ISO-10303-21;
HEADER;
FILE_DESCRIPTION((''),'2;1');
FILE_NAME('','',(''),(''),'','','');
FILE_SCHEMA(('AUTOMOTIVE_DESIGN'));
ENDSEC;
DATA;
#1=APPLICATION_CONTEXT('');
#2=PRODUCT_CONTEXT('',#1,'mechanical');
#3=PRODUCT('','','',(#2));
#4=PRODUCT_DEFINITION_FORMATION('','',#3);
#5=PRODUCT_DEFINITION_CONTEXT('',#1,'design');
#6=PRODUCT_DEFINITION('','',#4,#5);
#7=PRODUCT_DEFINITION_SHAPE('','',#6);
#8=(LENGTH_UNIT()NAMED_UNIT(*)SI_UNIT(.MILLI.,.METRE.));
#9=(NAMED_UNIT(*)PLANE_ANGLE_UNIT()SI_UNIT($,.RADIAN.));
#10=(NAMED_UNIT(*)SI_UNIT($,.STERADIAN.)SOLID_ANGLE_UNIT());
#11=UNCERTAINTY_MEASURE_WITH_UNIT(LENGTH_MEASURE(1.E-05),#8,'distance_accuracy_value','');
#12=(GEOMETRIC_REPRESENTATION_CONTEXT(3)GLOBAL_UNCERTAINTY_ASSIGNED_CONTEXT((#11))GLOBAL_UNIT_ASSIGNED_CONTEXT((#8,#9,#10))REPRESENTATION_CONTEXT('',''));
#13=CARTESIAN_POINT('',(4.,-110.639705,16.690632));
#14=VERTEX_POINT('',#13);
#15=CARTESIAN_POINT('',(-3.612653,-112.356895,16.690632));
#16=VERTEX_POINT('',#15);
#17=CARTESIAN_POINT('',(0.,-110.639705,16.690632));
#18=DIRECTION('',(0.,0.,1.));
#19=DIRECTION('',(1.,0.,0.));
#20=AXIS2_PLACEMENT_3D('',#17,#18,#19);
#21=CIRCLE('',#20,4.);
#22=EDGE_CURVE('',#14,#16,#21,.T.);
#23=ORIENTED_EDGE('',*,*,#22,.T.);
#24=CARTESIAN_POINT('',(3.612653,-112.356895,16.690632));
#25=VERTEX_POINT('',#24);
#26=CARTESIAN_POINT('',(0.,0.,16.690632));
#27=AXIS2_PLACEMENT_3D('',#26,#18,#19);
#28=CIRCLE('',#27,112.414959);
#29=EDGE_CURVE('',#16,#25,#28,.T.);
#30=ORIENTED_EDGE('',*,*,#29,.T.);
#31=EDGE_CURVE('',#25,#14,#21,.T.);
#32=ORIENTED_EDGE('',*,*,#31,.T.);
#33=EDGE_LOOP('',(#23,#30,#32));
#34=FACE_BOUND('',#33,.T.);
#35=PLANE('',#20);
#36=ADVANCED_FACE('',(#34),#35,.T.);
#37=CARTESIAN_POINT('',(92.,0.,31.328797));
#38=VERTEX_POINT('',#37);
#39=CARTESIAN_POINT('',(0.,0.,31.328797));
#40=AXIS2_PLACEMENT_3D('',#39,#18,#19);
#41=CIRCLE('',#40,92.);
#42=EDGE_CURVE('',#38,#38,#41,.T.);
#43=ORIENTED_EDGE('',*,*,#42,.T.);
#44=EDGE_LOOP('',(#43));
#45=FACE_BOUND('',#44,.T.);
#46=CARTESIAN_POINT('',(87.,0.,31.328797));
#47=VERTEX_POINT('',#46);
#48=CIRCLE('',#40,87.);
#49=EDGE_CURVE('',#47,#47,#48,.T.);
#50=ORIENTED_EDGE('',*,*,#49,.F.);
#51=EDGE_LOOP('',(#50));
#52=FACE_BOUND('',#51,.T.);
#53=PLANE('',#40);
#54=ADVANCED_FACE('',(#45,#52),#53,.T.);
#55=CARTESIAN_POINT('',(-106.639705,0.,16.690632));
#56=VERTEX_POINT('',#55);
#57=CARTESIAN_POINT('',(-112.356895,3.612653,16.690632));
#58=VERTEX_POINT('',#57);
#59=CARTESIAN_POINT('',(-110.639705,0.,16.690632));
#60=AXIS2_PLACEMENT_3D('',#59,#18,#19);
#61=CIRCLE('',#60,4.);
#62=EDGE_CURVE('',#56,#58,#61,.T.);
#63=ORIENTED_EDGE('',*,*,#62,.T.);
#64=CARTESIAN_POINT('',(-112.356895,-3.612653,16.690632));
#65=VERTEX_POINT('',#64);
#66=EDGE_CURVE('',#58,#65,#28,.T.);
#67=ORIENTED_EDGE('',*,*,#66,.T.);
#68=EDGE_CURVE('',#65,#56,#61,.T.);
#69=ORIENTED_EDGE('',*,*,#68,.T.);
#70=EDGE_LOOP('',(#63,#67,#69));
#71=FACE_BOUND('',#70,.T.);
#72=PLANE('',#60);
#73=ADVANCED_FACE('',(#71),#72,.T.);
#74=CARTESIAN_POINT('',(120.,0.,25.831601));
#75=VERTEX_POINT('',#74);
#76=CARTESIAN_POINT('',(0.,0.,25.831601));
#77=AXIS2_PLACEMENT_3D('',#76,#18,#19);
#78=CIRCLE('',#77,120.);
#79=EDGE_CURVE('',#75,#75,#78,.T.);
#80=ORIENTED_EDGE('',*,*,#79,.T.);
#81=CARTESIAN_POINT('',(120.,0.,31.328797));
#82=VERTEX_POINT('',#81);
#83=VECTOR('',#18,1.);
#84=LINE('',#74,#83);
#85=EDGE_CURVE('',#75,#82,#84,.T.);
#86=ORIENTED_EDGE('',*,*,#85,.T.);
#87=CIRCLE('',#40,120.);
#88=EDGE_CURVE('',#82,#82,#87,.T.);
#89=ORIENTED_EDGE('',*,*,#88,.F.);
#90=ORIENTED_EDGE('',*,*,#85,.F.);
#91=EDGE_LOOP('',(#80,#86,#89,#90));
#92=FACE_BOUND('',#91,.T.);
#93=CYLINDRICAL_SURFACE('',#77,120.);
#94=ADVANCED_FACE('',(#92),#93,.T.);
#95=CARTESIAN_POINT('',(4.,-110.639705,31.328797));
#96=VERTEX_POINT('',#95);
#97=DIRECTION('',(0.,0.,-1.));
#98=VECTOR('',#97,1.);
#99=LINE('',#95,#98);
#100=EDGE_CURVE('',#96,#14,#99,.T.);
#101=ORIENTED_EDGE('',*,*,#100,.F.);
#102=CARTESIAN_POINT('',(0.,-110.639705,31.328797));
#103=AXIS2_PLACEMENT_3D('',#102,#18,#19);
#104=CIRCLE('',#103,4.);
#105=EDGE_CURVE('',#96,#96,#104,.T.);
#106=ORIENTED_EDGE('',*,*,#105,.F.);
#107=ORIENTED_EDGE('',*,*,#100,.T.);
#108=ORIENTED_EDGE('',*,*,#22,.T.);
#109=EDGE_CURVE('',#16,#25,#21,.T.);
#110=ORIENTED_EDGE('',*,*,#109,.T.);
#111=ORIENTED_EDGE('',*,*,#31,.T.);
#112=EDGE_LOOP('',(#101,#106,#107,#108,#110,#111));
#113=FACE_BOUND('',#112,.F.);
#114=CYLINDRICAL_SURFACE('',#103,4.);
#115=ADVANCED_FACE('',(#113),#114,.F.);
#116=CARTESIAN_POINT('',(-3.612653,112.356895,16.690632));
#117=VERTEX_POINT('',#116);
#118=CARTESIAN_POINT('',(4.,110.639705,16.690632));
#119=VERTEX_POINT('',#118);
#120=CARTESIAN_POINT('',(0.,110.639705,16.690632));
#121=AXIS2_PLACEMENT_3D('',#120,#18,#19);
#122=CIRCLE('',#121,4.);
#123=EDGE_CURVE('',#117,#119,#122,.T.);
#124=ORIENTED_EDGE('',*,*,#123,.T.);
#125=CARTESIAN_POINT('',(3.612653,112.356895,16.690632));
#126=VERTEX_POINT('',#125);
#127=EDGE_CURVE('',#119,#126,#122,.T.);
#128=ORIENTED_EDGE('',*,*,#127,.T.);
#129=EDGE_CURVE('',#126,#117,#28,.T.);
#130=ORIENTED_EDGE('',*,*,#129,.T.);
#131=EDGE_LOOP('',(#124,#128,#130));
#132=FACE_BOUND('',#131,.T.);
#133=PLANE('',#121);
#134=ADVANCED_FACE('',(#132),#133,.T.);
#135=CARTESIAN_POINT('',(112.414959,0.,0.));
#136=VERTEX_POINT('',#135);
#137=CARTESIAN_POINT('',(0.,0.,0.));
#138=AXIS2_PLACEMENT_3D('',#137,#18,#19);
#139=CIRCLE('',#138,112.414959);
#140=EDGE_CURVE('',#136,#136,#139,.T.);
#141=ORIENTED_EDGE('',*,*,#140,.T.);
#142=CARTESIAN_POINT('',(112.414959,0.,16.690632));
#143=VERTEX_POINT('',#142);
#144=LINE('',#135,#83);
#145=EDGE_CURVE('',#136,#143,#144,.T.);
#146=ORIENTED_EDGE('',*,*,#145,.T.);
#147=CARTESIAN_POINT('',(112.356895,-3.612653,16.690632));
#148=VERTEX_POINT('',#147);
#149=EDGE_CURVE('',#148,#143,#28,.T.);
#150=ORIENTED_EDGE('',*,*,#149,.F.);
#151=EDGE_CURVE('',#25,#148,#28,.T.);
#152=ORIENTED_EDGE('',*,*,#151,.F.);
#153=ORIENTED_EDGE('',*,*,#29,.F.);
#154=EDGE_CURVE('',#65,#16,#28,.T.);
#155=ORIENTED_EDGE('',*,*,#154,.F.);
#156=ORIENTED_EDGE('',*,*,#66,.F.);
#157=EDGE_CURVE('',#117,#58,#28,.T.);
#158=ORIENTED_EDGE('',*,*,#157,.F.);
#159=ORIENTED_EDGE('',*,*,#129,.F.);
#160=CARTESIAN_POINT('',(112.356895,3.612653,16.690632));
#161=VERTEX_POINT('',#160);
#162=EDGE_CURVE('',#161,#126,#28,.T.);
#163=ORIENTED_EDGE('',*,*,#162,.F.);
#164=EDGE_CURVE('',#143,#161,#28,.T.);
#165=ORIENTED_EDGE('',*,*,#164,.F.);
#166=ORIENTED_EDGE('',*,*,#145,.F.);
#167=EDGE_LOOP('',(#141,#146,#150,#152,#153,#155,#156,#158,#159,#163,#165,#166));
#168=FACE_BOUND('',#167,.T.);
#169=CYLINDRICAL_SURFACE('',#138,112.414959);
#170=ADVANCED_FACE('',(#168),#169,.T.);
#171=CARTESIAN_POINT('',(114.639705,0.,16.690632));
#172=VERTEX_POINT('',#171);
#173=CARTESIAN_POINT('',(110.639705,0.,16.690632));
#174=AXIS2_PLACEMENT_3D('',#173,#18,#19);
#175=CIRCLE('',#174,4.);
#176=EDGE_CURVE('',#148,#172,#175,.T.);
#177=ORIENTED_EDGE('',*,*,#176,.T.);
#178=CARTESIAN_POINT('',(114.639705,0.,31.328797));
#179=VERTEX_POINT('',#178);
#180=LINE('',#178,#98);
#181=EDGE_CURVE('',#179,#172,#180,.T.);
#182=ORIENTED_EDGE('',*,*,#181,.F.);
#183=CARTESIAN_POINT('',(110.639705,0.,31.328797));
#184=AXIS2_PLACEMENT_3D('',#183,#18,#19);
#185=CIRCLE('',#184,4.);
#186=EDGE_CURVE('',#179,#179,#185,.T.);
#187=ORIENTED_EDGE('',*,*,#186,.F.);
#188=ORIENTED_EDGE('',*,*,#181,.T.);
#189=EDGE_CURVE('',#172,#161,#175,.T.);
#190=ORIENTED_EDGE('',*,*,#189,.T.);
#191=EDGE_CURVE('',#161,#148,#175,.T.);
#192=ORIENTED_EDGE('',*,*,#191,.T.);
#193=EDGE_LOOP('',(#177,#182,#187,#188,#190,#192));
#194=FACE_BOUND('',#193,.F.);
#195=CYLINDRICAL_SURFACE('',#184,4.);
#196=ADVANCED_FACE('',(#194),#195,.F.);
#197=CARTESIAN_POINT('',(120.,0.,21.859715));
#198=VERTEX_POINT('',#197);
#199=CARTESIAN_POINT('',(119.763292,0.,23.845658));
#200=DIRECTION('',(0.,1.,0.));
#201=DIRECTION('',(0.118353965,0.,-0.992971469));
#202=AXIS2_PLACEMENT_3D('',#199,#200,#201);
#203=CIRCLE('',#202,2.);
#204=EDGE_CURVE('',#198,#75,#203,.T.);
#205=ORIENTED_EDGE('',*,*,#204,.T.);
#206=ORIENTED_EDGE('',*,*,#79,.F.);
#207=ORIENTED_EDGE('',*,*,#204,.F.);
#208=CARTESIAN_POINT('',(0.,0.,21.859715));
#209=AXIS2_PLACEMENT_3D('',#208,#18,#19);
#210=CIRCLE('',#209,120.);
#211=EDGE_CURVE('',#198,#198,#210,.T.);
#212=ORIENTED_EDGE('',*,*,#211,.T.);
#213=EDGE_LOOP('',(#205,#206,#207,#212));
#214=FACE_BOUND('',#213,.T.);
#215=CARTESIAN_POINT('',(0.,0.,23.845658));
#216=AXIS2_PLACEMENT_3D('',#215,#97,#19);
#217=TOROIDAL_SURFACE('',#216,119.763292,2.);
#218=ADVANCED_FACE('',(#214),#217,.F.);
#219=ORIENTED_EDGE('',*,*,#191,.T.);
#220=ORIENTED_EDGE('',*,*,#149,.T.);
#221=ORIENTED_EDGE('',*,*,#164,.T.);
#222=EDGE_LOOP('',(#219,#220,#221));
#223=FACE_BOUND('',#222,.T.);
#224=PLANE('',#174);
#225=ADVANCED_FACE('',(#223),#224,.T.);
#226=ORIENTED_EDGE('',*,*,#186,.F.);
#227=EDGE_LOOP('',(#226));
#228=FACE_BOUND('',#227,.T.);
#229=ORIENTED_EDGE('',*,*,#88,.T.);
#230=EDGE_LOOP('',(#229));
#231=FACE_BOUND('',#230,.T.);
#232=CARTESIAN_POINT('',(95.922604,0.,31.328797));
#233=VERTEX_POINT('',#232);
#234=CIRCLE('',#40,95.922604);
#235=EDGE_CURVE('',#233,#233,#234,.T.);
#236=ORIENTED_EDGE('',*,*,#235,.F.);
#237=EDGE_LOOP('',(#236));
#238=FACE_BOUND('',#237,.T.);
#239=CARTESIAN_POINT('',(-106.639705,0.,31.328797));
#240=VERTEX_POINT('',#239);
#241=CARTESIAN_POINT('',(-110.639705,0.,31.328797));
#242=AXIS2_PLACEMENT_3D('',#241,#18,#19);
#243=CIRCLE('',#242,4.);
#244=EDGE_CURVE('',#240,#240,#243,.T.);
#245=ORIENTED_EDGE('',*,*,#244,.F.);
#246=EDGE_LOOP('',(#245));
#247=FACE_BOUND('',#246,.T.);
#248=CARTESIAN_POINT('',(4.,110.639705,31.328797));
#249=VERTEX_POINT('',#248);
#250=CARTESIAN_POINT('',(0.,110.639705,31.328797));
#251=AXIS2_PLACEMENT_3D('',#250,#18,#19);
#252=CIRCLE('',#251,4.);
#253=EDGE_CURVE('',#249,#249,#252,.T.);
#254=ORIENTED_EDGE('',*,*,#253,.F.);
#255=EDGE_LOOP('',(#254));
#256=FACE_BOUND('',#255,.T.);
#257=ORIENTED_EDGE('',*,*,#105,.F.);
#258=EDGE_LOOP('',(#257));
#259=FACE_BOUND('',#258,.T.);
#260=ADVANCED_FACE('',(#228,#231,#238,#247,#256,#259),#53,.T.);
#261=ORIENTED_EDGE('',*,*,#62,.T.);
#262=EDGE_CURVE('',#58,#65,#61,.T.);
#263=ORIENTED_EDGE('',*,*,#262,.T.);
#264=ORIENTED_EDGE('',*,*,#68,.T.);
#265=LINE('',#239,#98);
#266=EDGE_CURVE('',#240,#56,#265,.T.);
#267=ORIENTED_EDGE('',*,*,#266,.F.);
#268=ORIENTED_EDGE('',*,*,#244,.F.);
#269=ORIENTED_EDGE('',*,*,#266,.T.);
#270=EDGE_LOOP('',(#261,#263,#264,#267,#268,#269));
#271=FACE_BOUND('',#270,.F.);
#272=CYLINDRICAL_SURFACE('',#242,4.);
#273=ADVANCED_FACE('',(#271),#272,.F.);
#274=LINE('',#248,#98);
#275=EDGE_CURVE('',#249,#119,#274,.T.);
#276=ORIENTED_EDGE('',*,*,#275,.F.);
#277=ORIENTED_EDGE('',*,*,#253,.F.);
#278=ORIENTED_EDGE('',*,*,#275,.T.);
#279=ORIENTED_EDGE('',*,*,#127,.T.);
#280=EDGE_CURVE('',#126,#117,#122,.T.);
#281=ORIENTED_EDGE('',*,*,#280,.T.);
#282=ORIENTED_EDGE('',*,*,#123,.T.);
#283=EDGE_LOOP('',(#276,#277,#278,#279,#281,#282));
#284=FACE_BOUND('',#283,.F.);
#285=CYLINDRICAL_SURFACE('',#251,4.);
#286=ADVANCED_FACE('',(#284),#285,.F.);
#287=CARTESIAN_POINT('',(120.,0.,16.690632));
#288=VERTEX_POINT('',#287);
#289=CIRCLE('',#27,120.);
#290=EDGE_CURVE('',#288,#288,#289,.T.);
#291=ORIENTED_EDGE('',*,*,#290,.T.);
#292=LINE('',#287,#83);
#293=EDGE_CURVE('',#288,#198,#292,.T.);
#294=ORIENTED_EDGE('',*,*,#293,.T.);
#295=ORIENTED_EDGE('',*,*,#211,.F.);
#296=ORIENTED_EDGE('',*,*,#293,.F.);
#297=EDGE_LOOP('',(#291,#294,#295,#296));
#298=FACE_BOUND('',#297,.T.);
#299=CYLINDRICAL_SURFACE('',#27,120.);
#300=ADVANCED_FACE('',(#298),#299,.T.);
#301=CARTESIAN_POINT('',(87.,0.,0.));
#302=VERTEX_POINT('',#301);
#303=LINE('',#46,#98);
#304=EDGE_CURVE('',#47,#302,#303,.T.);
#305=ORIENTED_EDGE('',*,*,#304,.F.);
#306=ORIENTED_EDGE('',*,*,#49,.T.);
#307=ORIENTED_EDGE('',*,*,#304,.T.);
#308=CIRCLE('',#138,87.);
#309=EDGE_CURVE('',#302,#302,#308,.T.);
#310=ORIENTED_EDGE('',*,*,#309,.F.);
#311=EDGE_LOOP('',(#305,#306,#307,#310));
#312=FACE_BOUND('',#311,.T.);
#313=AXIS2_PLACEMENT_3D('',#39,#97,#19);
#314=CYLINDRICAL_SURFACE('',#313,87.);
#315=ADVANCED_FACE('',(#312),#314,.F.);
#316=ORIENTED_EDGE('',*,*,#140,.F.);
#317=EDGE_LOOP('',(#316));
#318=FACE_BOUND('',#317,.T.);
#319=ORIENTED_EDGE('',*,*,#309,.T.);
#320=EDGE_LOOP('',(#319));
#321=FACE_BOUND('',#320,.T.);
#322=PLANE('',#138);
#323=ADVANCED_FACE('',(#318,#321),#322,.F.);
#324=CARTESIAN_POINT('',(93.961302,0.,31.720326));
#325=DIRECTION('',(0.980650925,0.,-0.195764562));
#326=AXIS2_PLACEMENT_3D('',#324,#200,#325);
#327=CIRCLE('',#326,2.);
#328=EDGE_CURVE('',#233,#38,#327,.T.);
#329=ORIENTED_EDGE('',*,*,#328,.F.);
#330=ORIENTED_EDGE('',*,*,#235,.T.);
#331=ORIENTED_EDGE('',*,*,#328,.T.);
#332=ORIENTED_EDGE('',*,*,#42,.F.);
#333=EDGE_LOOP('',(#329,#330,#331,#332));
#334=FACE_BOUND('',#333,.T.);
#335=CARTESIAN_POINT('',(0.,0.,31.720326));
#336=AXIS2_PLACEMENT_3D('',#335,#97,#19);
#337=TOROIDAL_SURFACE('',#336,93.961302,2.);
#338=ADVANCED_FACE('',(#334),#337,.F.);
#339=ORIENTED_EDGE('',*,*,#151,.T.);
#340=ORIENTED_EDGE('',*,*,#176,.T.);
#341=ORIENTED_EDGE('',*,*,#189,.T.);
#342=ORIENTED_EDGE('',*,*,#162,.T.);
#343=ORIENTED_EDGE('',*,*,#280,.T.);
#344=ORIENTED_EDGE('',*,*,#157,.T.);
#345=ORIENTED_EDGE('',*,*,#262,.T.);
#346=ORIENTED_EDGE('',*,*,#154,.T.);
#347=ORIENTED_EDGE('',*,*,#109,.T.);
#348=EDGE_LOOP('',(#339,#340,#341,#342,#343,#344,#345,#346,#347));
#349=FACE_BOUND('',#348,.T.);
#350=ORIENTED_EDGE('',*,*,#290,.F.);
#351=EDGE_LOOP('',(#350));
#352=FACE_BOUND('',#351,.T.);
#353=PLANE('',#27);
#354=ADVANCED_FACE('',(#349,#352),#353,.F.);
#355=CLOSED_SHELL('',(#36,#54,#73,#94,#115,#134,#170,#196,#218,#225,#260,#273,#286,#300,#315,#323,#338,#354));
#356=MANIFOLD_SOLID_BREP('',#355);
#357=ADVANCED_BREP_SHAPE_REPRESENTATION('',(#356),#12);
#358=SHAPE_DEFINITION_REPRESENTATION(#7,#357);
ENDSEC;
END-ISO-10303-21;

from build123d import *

# Parameters (mm, degrees)
F2_R     = 4
F3_DEPTH = 14.638165


with BuildPart() as f1:
    # F0 (on Front) → F1 (revolve)
    with BuildSketch(Plane.XZ):
        with BuildLine():
            Line((87, 0), (112.414959, 0))
            Line((112.414959, 0), (112.414959, 16.690632))
            Line((112.414959, 16.690632), (120, 16.690632))
            Line((120, 16.690632), (120, 21.859715))
            ThreePointArc((120, 21.859715), (117.763292, 23.845658), (120, 25.831601))
            Line((120, 25.831601), (120, 31.328797))
            Line((120, 31.328797), (95.922604, 31.328797))
            ThreePointArc((95.922604, 31.328797), (93.961302, 29.720326), (92, 31.328797))
            Line((92, 31.328797), (87, 31.328797))
            Line((87, 31.328797), (87, 0))
        make_face()
    revolve(axis=Axis((0, 0, 0.660039), (0, 0, 1)))

    # F2 (on face) → F3 (cut, through all)
    with BuildSketch(Plane.XY.offset(31.328797)):
        with Locations((110.639705, 0)):
            Circle(F2_R)
        with Locations((-110.639705, 0)):
            Circle(F2_R)
        with Locations((0, 110.639705)):
            Circle(F2_R)
        with Locations((0, -110.639705)):
            Circle(F2_R)
    extrude(amount=-F3_DEPTH, mode=Mode.SUBTRACT)


solid = f1.part
